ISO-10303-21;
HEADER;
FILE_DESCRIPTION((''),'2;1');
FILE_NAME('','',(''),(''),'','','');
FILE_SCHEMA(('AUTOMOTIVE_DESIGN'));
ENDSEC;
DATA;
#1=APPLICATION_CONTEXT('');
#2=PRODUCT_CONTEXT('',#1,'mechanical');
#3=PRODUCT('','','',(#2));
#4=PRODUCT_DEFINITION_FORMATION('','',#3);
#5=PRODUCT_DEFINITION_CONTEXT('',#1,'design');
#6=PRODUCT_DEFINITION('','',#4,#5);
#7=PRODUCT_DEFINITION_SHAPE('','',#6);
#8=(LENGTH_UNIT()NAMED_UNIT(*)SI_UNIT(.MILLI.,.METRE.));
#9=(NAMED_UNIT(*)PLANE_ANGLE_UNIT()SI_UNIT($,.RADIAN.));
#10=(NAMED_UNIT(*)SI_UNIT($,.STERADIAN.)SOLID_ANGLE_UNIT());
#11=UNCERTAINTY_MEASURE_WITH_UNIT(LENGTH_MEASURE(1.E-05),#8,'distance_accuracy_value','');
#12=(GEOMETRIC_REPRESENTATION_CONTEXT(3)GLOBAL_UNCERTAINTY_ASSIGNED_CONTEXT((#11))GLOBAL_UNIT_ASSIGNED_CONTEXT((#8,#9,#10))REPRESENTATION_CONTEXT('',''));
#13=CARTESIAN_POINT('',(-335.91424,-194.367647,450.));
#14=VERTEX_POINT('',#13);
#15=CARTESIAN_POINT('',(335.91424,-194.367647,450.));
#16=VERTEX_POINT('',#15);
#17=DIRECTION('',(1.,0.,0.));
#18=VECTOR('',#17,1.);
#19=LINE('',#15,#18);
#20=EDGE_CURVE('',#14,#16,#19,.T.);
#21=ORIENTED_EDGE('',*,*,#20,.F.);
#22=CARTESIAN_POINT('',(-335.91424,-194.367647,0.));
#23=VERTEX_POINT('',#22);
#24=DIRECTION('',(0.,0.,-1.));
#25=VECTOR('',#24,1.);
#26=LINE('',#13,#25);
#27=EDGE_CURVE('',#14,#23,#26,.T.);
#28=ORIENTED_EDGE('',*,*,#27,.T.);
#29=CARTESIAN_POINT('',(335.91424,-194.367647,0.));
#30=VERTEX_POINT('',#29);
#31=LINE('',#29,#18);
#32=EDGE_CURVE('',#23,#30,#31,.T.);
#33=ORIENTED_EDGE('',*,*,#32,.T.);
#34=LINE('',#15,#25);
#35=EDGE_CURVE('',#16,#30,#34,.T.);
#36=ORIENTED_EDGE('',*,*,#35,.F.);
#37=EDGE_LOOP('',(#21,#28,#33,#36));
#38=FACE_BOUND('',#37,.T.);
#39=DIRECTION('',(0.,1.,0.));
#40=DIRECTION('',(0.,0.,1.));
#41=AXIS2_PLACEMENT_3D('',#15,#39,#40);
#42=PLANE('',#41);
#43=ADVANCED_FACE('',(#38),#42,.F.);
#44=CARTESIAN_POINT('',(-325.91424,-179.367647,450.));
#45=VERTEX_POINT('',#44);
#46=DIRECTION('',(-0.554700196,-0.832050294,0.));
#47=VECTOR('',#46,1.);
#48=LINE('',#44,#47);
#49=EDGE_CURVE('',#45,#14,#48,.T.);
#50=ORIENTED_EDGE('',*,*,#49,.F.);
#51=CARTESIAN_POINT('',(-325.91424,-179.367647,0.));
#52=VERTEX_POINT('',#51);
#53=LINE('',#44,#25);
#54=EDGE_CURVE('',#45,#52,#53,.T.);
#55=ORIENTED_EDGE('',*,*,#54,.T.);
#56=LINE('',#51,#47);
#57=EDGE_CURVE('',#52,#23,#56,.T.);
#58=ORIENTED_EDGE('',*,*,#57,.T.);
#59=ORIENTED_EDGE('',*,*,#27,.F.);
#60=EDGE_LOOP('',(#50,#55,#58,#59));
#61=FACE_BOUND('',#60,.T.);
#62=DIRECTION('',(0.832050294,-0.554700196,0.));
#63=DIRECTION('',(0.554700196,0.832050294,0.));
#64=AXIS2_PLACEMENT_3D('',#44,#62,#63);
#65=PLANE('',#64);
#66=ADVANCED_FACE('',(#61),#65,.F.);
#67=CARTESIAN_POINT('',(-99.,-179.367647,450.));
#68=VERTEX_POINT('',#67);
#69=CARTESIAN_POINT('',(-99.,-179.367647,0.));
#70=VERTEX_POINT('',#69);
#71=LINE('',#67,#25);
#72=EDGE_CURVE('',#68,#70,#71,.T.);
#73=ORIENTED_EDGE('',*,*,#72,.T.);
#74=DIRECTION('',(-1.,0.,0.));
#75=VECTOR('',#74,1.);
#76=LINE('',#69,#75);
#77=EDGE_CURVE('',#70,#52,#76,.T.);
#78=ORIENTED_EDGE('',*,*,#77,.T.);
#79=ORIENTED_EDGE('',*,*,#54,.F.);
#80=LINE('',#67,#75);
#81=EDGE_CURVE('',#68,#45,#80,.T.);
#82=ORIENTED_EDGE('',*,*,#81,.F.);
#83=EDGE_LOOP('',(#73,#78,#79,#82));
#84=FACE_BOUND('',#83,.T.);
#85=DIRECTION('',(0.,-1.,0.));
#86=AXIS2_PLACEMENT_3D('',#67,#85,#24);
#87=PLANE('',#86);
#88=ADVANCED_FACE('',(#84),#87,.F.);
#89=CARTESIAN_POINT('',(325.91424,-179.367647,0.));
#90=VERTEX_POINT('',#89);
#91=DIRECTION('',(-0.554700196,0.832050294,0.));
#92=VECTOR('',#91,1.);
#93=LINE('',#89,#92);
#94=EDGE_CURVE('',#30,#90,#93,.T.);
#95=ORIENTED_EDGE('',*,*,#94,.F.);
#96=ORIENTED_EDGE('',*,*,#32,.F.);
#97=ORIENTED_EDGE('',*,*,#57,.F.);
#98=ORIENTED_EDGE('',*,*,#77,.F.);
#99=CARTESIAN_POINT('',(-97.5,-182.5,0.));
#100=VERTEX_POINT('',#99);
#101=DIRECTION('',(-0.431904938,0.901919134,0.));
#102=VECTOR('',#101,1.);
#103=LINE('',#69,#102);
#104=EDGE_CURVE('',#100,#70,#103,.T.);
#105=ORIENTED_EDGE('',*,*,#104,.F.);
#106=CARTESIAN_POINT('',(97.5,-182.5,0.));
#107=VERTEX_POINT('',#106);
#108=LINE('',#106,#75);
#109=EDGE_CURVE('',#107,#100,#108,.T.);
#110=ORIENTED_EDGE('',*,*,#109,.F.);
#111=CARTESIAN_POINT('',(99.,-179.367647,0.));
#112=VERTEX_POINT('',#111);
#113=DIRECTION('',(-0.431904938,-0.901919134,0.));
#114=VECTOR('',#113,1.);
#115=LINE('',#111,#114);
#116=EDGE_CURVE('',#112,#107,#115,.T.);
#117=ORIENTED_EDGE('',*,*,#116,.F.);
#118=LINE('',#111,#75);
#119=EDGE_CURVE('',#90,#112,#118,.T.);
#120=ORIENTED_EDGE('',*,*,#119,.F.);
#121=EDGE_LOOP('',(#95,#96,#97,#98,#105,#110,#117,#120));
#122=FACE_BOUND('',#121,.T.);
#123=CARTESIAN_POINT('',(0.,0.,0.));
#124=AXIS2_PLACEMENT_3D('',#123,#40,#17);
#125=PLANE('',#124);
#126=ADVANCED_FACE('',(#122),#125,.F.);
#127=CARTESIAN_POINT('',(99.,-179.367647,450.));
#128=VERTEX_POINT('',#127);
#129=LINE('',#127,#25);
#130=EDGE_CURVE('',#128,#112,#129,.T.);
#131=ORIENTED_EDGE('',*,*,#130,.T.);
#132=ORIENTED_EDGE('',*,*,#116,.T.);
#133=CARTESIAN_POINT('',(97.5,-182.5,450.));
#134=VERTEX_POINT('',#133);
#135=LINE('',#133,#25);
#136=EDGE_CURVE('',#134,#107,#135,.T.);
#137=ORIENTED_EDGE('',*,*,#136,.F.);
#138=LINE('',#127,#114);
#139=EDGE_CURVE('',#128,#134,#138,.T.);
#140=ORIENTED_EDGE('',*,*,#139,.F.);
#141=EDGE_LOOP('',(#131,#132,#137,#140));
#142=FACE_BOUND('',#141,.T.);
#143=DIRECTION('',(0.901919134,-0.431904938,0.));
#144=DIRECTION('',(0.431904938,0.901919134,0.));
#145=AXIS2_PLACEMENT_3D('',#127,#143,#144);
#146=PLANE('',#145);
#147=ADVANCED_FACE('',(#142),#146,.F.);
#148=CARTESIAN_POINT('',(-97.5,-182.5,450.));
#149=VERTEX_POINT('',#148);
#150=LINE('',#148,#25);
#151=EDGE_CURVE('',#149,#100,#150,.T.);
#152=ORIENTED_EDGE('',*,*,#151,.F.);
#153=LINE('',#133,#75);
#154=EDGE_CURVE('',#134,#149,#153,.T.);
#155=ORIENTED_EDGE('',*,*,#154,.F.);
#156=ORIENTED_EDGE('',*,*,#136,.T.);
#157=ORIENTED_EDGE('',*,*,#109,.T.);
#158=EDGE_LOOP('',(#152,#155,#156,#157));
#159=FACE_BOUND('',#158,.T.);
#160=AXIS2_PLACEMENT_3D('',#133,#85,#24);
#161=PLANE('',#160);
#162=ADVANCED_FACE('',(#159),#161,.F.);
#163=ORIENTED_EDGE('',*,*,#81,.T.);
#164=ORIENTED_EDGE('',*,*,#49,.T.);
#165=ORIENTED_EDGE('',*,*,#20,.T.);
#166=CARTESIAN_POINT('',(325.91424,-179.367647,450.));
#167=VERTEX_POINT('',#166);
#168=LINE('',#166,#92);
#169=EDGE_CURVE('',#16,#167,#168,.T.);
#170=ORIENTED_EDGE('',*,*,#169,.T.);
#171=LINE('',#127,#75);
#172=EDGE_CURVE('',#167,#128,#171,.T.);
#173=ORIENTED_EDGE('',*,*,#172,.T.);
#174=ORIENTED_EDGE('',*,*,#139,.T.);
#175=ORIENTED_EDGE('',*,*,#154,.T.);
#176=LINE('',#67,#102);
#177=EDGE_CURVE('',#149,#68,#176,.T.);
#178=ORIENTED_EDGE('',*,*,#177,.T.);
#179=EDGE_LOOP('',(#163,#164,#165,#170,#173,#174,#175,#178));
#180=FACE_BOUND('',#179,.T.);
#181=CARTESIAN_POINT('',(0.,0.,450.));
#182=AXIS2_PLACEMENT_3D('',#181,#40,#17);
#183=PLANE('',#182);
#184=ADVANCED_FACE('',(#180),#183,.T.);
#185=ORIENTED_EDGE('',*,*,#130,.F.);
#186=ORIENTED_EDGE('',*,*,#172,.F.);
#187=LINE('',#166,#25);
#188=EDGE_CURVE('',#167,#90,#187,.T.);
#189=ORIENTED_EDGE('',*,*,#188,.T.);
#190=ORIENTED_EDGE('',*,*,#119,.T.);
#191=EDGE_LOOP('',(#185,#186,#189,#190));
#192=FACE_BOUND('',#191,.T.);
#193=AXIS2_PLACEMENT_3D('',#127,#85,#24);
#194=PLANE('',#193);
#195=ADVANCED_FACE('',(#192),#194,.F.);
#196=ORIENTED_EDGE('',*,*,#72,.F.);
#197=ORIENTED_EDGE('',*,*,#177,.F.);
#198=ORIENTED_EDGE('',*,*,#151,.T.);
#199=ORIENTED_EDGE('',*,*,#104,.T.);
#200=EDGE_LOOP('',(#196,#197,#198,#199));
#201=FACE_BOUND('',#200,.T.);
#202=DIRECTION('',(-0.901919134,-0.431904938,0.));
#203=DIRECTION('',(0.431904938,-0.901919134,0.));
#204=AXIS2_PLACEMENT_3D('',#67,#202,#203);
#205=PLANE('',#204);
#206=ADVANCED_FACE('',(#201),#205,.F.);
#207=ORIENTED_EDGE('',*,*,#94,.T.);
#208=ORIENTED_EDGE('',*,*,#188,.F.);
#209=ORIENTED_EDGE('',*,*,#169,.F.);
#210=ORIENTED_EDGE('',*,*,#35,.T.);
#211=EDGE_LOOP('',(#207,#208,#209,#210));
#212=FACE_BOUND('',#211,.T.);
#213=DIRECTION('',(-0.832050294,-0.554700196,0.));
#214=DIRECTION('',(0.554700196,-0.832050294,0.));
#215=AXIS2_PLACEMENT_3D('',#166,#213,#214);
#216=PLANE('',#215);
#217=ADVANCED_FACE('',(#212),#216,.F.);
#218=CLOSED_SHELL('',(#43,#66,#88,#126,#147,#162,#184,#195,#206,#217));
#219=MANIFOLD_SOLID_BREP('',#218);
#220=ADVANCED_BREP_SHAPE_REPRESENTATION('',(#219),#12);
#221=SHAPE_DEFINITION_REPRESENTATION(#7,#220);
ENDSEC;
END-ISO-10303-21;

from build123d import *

# Parameters (mm, degrees)
AUFSATZ_LINEAR_AUSTRAGEN1_DEPTH = 450


with BuildPart() as part:
    # Skizze1 → Aufsatz-Linear austragen1 (new body)
    with BuildSketch(Plane.XY):
        Polygon((-325.91423977, -179.367647059), (-335.91423977, -194.367647059), (335.91423977, -194.367647059), (325.91423977, -179.367647059), (99, -179.367647059), (97.5, -182.5), (-97.5, -182.5), (-99, -179.367647059), align=None)
    extrude(amount=AUFSATZ_LINEAR_AUSTRAGEN1_DEPTH)


solid = part.part
